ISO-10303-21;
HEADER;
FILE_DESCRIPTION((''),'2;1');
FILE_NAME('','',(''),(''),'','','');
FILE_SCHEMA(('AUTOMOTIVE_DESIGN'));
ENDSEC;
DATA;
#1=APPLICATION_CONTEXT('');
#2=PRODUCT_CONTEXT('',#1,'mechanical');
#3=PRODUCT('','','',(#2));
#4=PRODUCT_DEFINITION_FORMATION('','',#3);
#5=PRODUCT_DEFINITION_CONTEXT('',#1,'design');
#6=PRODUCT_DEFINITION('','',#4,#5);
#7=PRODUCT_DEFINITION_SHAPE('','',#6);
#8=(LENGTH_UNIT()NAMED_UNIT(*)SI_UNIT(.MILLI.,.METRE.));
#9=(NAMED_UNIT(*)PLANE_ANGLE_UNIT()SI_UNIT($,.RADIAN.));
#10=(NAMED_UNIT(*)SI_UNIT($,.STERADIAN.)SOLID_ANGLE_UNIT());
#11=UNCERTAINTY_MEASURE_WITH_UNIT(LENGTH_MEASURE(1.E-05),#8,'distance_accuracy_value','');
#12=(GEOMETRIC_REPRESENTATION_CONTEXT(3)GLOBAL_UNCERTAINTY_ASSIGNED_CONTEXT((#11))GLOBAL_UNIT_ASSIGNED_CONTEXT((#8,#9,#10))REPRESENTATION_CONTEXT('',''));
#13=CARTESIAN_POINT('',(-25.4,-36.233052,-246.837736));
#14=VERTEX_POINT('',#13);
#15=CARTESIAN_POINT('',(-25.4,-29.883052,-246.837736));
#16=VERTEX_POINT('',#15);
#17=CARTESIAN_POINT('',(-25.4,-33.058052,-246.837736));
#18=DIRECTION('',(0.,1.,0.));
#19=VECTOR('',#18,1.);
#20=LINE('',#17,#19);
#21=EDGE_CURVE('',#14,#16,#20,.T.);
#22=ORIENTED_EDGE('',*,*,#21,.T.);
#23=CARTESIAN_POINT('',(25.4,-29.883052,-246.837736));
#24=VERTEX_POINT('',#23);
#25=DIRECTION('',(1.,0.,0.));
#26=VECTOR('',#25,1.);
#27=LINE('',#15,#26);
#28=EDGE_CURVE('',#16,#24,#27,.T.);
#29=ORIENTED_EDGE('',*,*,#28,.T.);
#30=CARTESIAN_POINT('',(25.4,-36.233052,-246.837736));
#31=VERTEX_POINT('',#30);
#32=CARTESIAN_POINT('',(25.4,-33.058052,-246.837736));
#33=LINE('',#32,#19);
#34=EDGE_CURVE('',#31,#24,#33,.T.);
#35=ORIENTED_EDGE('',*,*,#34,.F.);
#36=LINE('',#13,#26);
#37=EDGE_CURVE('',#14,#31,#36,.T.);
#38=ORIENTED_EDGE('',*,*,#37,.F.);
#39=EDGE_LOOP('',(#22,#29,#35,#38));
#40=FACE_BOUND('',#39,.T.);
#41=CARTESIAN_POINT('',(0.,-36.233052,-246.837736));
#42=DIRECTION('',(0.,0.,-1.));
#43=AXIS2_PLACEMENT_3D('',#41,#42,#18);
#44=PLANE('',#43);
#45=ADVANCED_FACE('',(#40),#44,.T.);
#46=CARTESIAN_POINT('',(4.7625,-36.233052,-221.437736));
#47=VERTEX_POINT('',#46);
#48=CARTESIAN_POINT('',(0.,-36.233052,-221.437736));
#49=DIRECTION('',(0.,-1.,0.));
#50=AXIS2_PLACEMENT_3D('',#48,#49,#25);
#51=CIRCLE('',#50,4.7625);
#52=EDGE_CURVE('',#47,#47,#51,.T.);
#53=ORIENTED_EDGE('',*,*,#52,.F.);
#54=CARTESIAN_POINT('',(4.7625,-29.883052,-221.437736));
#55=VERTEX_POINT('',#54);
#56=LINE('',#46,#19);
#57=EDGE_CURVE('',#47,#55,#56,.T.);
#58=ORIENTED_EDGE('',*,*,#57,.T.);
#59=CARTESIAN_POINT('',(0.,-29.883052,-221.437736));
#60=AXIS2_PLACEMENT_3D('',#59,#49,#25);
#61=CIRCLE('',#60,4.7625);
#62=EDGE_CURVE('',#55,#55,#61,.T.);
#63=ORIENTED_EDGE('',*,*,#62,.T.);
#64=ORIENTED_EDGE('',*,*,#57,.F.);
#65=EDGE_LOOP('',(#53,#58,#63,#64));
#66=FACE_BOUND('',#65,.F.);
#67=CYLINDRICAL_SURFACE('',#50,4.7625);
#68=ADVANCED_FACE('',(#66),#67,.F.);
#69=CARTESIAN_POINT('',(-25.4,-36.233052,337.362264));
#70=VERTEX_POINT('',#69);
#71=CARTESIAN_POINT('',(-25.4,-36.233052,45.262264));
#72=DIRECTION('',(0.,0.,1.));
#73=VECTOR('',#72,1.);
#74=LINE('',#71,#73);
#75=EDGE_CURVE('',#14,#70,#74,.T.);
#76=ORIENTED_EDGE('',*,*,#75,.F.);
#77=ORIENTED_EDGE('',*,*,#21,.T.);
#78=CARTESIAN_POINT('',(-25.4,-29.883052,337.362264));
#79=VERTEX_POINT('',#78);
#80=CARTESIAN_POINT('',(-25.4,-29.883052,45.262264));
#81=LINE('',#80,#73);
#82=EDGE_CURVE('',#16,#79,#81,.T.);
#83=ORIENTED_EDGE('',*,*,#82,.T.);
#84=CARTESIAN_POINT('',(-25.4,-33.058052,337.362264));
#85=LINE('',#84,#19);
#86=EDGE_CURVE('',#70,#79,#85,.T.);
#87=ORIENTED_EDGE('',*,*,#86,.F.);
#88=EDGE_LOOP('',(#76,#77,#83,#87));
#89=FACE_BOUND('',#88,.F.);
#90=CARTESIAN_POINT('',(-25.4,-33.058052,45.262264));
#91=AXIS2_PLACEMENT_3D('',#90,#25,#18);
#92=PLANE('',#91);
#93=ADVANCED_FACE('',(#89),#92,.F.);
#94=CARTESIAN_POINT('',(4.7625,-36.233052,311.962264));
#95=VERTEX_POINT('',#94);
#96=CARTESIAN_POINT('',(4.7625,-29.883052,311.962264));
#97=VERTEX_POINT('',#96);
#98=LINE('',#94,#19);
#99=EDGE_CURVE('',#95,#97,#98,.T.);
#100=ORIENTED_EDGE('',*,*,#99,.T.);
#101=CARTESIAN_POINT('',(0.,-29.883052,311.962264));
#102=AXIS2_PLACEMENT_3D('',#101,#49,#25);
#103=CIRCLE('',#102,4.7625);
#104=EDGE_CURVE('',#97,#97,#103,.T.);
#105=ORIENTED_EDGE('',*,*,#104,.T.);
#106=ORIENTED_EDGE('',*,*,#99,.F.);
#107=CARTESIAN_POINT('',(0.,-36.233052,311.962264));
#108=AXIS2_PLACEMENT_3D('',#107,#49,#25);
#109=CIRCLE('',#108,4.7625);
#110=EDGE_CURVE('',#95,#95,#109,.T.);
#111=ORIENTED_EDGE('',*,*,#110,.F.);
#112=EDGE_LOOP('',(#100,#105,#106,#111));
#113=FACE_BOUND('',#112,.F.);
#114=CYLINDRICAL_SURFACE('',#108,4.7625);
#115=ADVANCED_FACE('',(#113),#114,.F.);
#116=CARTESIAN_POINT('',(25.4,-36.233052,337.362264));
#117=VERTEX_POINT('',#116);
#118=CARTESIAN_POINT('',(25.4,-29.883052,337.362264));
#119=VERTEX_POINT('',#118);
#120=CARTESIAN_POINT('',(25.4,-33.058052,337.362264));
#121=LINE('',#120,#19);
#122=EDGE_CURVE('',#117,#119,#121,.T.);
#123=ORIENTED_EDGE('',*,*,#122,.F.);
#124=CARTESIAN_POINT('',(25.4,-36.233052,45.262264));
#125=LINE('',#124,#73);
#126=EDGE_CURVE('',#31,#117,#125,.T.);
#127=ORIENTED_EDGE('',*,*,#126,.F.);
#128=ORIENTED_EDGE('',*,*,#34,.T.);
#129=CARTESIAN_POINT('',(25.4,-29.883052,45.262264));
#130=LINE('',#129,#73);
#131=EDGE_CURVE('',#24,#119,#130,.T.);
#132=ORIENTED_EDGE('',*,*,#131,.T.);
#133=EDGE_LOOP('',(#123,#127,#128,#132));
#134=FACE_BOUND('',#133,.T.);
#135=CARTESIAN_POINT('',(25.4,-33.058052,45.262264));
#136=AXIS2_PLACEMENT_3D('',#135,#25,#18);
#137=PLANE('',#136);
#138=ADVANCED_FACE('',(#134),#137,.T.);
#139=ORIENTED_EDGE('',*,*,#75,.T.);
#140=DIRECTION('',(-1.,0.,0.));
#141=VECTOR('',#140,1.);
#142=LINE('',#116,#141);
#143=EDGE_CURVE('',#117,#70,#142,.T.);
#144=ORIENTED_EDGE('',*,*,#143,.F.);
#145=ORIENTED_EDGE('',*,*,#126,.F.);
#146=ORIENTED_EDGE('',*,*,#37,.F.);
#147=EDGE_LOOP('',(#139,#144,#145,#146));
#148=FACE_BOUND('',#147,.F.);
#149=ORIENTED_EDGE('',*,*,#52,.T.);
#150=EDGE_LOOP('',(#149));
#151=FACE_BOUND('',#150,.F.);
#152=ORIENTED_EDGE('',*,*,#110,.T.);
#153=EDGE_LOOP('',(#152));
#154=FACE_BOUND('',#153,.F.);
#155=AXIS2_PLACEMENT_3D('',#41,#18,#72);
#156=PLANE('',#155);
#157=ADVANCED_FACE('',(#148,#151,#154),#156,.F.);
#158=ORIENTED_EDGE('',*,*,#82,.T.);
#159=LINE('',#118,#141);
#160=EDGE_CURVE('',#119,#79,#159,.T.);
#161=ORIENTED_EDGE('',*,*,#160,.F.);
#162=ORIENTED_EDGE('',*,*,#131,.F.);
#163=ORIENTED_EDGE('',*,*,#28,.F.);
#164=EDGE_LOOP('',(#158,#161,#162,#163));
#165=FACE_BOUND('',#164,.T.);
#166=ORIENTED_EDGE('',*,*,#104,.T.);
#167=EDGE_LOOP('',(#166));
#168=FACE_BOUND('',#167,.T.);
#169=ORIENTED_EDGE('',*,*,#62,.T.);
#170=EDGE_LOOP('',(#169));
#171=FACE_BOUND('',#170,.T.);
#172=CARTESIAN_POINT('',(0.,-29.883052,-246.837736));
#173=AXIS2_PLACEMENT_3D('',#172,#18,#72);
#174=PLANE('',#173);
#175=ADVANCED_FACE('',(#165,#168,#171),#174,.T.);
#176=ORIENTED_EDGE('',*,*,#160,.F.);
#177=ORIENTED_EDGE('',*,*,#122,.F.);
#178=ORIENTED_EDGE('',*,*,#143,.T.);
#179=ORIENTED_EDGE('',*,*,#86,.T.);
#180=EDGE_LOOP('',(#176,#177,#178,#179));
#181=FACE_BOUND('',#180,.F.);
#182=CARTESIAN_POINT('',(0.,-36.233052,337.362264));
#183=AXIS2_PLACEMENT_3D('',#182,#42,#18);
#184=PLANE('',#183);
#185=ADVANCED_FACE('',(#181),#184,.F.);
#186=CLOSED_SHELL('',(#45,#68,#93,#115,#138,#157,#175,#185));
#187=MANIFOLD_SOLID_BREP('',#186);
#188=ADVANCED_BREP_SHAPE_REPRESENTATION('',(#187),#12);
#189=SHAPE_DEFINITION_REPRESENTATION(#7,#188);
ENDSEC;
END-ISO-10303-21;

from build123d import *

# Parameters (mm, degrees)
F0_W     = 6.35
F0_H     = 584.2
F1_DEPTH = 25.4
F2_R     = 4.7625
F3_DEPTH = 6.351


with BuildPart() as f1:
    # F0 (on Right) → F1 (new body, symmetric)
    with BuildSketch(Plane.YZ):
        with Locations((-33.058052, 45.262264)):
            Rectangle(F0_W, F0_H)
    extrude(amount=F1_DEPTH, both=True)

    # F2 (on face) → F3 (cut, through all)
    with BuildSketch(Plane.XZ.offset(36.233052)):
        with Locations((0, 311.962264)):
            Circle(F2_R)
        with Locations((0, -221.437736)):
            Circle(F2_R)
    extrude(amount=-F3_DEPTH, mode=Mode.SUBTRACT)


solid = f1.part
